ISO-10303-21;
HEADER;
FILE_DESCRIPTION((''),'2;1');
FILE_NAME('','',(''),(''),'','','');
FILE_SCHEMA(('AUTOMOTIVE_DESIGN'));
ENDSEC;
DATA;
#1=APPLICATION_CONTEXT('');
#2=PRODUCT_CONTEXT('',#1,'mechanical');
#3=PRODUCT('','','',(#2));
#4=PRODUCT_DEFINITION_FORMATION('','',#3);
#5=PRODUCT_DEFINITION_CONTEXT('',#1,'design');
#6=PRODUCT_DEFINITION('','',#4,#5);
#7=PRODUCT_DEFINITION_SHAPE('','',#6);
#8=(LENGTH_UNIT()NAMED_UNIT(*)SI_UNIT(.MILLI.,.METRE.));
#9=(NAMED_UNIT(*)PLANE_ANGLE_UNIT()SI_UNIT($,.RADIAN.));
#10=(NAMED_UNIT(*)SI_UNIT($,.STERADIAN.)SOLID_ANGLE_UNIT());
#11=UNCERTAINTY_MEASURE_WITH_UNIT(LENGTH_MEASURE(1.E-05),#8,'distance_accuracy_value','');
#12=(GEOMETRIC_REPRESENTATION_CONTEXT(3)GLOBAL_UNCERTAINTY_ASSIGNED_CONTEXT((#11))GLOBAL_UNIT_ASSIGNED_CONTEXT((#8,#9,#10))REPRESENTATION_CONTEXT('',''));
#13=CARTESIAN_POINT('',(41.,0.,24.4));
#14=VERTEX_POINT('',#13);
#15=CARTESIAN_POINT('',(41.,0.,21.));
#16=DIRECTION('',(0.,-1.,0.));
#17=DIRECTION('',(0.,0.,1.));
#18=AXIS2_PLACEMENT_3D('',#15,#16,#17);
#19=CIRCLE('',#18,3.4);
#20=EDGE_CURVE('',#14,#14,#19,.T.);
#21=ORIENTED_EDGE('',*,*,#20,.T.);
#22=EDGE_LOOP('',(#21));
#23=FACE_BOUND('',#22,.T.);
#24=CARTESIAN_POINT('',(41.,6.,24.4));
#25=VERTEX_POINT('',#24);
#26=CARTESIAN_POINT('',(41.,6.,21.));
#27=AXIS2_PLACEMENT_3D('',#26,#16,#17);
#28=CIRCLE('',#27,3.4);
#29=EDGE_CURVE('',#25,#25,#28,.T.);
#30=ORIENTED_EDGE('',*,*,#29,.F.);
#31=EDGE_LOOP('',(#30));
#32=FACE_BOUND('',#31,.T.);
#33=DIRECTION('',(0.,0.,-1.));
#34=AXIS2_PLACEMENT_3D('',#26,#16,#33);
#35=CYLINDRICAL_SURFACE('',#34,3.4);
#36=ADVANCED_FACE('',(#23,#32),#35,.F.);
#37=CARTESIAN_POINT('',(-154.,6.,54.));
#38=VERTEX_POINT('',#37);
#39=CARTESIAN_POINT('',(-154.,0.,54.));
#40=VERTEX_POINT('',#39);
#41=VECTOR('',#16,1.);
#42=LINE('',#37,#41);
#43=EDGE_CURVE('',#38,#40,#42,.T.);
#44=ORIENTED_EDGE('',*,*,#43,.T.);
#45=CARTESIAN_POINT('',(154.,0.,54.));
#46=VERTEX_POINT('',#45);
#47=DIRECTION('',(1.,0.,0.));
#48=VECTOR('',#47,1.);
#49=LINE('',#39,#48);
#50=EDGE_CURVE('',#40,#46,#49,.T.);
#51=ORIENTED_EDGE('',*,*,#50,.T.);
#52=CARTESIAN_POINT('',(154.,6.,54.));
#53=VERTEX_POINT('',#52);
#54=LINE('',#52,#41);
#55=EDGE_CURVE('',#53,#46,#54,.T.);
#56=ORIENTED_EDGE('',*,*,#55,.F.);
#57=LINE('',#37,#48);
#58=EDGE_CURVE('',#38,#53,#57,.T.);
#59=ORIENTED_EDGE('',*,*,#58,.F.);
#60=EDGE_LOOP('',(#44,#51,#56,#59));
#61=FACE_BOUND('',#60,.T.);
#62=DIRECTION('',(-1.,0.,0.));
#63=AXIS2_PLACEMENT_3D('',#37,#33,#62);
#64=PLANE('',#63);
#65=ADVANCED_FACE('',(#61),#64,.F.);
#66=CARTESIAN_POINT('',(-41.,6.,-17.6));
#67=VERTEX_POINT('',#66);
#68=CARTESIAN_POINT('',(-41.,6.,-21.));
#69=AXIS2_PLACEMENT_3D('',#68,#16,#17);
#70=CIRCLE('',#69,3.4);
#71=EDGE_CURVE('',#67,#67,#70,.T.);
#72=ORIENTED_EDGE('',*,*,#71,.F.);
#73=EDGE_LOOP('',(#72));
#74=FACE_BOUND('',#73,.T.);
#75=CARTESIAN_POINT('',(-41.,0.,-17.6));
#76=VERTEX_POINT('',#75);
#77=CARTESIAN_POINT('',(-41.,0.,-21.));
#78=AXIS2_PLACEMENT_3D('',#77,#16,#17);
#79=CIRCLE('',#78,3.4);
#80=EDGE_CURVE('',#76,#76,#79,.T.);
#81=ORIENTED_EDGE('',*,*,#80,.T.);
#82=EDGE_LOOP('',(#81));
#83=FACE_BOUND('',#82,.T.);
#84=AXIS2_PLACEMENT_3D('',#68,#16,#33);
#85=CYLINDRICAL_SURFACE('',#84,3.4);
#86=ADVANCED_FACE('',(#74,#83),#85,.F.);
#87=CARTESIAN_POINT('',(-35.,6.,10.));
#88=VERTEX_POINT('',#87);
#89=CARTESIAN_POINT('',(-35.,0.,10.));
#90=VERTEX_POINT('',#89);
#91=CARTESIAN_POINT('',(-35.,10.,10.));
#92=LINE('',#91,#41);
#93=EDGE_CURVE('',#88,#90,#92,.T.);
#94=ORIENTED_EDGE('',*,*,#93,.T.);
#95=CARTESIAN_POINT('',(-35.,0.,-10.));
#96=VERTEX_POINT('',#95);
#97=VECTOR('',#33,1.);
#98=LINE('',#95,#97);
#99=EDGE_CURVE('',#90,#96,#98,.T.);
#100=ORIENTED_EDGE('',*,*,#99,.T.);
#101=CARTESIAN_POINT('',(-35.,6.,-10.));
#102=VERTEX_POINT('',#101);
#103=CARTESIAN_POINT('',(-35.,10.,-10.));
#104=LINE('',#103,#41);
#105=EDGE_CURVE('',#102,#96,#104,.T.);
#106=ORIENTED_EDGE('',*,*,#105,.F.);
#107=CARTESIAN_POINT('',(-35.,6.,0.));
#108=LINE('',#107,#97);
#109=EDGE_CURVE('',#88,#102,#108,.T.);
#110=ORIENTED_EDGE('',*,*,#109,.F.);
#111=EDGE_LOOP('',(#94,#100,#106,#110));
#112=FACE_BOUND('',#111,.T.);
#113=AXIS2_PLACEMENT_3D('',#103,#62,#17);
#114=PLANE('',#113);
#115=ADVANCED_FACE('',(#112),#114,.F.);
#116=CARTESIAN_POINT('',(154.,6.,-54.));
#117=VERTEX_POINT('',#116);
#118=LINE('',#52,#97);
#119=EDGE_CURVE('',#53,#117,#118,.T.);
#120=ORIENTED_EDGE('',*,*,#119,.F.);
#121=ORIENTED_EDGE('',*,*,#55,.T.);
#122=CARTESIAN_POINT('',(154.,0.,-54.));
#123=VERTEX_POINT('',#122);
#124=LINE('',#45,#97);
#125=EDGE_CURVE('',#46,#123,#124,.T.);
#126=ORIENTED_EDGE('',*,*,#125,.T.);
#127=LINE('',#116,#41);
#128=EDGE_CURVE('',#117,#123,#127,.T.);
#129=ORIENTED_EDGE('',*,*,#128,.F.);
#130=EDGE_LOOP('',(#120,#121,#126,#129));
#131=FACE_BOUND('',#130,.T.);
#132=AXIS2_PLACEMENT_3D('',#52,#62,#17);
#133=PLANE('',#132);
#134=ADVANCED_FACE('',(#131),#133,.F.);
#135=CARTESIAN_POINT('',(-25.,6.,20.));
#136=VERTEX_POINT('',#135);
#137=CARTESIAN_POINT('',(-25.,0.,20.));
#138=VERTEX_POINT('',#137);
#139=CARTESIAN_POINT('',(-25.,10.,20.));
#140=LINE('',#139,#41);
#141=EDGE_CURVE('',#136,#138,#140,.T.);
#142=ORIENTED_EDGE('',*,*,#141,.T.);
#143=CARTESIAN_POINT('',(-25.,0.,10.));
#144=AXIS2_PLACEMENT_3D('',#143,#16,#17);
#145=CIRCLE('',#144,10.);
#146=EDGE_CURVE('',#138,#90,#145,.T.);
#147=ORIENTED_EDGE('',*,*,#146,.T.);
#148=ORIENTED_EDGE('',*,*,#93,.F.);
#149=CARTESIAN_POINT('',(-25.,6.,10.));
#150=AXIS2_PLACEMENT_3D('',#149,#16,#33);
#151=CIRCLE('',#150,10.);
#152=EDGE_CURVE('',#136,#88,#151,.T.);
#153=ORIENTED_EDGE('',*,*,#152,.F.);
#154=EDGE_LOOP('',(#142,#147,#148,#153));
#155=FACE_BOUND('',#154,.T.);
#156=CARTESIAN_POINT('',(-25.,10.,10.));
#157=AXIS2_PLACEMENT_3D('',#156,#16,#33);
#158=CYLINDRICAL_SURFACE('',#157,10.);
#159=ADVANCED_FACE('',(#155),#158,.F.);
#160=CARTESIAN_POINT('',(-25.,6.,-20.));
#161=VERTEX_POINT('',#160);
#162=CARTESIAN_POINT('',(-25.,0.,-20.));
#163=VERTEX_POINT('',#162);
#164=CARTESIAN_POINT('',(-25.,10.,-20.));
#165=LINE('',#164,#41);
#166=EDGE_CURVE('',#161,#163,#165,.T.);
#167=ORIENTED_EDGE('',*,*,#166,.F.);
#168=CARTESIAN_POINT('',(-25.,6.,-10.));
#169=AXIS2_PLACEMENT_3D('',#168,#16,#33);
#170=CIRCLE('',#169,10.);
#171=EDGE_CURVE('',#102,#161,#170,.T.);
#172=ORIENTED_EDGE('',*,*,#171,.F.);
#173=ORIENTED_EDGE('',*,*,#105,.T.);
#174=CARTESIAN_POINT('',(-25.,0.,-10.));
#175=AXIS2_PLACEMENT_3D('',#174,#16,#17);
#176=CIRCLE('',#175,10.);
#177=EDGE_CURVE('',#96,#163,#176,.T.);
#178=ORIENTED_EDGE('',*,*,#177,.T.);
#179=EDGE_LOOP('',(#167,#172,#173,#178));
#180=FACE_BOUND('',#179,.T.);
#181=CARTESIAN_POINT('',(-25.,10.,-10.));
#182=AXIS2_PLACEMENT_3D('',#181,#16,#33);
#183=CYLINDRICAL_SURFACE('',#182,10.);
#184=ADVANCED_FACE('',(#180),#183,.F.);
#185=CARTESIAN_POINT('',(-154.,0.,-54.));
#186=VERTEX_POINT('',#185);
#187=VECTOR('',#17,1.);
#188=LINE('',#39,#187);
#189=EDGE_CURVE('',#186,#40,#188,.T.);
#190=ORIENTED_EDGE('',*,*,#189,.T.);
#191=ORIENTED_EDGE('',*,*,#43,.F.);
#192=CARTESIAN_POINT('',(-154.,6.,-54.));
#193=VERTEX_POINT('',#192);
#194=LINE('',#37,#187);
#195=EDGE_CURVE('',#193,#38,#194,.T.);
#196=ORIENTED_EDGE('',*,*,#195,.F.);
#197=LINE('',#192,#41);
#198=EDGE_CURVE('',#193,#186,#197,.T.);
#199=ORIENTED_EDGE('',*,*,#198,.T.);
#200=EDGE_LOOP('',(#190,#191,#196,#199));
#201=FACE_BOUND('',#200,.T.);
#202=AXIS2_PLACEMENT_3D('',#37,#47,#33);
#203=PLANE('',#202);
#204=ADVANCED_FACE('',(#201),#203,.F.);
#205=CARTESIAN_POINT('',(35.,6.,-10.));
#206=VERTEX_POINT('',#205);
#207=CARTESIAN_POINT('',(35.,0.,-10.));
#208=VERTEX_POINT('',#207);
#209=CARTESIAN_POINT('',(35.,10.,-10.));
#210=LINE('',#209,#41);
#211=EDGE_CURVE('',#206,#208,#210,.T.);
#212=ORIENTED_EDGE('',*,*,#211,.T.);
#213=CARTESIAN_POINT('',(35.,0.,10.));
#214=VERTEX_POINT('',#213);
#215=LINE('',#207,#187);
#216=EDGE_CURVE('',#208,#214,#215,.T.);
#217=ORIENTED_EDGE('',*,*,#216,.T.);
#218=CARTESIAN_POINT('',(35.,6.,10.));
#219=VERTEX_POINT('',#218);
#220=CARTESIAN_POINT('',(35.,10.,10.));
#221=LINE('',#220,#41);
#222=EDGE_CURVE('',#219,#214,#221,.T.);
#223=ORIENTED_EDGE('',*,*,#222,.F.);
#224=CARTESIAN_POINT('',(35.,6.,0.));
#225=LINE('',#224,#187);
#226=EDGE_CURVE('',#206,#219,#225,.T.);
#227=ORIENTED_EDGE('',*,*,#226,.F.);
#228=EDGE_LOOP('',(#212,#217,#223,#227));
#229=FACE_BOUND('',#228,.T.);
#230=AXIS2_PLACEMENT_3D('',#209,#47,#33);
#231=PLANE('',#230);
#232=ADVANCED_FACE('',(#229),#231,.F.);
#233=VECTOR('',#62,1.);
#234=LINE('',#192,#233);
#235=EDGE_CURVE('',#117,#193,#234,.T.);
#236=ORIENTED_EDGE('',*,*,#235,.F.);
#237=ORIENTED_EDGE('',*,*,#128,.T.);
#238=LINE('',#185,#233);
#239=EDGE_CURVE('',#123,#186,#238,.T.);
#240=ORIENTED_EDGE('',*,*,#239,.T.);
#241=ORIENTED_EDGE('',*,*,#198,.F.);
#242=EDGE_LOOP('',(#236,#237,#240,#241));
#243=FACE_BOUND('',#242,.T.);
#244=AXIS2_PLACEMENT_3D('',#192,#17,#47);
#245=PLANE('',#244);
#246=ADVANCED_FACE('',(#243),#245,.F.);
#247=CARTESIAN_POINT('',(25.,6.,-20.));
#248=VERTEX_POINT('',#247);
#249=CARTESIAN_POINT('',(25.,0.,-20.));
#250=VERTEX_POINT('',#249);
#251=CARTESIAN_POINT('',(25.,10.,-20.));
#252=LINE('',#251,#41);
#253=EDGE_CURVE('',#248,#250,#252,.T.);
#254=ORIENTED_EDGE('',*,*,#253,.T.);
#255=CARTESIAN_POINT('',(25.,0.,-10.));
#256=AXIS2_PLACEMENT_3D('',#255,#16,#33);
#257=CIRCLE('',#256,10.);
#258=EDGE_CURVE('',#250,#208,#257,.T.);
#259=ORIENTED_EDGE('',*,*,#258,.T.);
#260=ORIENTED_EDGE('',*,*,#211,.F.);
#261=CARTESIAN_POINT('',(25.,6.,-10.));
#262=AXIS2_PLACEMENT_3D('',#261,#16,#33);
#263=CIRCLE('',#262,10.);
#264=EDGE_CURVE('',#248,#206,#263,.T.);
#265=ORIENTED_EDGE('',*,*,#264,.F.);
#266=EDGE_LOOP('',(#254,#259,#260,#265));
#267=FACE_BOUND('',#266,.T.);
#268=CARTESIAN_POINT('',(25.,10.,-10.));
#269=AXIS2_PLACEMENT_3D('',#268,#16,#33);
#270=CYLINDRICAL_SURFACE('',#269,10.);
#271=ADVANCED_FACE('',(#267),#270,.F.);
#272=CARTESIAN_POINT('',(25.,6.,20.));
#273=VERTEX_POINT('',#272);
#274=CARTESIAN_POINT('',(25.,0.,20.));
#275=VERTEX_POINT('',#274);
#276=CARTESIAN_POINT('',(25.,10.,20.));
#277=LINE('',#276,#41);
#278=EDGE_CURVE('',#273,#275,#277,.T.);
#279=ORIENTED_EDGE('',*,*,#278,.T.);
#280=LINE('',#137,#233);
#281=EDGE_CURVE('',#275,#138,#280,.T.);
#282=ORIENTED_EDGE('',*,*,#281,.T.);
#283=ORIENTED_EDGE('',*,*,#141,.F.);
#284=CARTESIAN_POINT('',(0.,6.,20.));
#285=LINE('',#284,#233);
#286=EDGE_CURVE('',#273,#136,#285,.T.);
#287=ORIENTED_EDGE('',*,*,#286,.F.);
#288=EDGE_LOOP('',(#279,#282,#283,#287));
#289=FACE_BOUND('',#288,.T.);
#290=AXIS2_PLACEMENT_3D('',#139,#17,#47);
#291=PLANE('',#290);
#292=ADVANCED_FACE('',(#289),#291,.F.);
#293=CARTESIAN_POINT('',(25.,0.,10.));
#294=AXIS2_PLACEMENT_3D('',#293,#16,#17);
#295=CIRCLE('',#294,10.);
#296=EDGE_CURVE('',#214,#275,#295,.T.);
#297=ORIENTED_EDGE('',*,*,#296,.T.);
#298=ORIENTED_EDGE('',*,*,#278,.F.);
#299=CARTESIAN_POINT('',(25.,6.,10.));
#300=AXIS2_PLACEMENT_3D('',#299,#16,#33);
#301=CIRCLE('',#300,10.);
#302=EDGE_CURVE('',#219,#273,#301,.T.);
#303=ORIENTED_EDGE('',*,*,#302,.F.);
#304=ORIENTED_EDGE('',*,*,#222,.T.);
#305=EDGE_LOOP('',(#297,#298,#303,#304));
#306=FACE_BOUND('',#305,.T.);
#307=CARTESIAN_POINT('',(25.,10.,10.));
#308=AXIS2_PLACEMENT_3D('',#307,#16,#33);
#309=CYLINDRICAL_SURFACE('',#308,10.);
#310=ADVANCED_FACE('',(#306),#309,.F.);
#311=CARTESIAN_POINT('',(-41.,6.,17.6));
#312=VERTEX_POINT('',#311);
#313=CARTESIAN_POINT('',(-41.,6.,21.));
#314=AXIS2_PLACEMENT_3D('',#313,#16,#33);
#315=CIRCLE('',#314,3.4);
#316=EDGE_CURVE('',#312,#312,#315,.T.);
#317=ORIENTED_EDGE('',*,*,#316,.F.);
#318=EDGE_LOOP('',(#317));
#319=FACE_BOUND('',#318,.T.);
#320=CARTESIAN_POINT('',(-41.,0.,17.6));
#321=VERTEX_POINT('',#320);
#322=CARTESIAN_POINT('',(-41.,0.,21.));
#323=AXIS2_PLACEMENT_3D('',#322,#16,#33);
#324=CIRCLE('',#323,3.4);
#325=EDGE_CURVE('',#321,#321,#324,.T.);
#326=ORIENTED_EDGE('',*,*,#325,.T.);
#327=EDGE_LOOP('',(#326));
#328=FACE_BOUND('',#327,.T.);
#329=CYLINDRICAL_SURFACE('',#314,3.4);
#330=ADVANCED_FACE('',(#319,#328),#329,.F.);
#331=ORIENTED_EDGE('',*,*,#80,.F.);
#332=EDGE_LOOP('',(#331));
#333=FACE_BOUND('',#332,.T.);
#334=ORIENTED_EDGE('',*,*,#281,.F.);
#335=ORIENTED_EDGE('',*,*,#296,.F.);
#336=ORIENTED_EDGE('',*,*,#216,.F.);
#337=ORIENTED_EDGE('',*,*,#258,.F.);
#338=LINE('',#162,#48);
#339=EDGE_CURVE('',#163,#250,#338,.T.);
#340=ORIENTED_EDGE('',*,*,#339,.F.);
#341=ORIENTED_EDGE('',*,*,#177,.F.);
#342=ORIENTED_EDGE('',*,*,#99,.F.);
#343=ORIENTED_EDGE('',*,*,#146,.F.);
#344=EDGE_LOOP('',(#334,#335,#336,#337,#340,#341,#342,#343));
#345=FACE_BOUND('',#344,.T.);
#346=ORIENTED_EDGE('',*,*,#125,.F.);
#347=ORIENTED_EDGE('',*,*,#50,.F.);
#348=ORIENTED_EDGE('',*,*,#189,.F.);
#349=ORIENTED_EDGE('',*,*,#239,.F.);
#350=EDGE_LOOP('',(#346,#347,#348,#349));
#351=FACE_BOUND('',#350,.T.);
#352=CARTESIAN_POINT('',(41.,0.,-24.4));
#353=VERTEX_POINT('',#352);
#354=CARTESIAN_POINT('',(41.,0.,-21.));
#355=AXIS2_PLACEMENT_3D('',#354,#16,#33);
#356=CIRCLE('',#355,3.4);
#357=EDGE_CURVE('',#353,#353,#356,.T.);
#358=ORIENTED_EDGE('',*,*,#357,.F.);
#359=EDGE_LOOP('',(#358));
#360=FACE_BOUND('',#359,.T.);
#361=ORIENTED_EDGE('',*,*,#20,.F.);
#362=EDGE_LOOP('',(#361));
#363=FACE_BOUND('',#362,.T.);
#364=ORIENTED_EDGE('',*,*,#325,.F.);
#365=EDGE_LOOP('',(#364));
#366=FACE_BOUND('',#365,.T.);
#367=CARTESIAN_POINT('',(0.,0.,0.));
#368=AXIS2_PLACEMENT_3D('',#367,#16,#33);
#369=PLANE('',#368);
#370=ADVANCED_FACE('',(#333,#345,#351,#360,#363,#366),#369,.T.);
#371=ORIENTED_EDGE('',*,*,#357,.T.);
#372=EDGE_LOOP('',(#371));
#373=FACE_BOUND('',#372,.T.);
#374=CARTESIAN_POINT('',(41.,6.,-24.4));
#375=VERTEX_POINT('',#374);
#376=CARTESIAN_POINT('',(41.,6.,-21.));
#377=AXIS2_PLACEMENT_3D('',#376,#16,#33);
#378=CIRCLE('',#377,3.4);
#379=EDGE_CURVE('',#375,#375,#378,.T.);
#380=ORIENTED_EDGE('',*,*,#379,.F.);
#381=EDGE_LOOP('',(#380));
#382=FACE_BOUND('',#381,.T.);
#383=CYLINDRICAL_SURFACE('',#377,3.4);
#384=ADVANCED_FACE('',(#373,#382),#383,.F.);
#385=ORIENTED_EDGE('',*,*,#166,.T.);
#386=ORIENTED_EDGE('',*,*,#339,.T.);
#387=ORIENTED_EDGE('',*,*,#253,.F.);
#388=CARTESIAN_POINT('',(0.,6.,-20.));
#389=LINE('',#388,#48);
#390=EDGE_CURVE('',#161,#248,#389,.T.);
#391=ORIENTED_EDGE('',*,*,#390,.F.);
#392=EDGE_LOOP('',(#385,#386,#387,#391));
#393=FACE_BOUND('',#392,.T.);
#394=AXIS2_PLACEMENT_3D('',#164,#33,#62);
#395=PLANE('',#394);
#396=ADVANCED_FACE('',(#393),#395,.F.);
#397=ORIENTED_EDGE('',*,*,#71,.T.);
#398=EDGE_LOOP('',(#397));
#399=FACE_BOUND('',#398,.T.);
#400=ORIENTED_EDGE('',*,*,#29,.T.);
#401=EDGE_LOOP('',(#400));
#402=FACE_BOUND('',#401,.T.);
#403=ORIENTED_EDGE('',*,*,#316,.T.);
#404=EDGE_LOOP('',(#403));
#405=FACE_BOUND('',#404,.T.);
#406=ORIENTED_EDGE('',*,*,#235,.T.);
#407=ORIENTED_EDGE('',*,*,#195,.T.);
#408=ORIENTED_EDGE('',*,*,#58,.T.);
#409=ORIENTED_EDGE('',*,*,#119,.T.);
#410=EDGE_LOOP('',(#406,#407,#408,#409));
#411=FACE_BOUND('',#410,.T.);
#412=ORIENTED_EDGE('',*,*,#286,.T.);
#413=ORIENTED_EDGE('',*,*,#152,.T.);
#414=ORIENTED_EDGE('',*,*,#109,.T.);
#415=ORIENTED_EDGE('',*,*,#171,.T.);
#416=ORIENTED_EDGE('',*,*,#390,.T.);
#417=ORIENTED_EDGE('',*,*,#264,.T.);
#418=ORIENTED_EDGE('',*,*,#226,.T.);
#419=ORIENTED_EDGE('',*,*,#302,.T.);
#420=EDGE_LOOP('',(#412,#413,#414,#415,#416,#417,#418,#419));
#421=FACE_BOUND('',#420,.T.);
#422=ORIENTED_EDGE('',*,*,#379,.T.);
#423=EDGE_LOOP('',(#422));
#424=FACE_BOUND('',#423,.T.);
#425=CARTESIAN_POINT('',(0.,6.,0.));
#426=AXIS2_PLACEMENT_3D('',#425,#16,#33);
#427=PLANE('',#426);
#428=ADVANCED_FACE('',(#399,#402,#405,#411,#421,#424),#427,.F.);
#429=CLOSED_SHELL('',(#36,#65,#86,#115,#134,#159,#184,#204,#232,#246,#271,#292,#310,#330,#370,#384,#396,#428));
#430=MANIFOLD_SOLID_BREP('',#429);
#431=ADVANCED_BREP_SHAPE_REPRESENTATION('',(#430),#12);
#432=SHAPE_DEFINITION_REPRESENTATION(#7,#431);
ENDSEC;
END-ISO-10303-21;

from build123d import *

# Parameters (mm, degrees)
SKETCH1_W           = 308
SKETCH1_H           = 108
BOSS_EXTRUDE1_DEPTH = 6
CUT_EXTRUDE1_DEPTH  = 10
SKETCH3_R           = 3.4
CUT_EXTRUDE2_DEPTH  = 7


with BuildPart() as part:
    # Sketch1 → Boss-Extrude1 (new body)
    with BuildSketch(Plane(origin=(0, 0, 0), x_dir=(1, 0, 0), z_dir=(0, 1, 0))):
        Rectangle(SKETCH1_W, SKETCH1_H)
    extrude(amount=BOSS_EXTRUDE1_DEPTH)

    # Sketch2 → Cut-Extrude1 (cut)
    with BuildSketch(Plane.XZ):
        with BuildLine():
            Line((-25, -20), (25, -20))
            ThreePointArc((25, -20), (32.071067812, -17.071067812), (35, -10))
            Line((35, -10), (35, 10))
            ThreePointArc((35, 10), (32.071067812, 17.071067812), (25, 20))
            Line((25, 20), (-25, 20))
            ThreePointArc((-25, 20), (-32.071067812, 17.071067812), (-35, 10))
            Line((-35, 10), (-35, -10))
            ThreePointArc((-35, -10), (-32.071067812, -17.071067812), (-25, -20))
        make_face()
    extrude(amount=-CUT_EXTRUDE1_DEPTH, mode=Mode.SUBTRACT)

    # Sketch3 → Cut-Extrude2 (cut, through all)
    with BuildSketch(Plane(origin=(0, 0, 0), x_dir=(-1, 0, 0), z_dir=(0, -1, 0))):
        with Locations((41, -21)):
            Circle(SKETCH3_R)
        with Locations((-41, -21)):
            Circle(SKETCH3_R)
        with Locations((-41, 21)):
            Circle(SKETCH3_R)
        with Locations((41, 21)):
            Circle(SKETCH3_R)
    extrude(amount=-CUT_EXTRUDE2_DEPTH, mode=Mode.SUBTRACT)


solid = part.part
